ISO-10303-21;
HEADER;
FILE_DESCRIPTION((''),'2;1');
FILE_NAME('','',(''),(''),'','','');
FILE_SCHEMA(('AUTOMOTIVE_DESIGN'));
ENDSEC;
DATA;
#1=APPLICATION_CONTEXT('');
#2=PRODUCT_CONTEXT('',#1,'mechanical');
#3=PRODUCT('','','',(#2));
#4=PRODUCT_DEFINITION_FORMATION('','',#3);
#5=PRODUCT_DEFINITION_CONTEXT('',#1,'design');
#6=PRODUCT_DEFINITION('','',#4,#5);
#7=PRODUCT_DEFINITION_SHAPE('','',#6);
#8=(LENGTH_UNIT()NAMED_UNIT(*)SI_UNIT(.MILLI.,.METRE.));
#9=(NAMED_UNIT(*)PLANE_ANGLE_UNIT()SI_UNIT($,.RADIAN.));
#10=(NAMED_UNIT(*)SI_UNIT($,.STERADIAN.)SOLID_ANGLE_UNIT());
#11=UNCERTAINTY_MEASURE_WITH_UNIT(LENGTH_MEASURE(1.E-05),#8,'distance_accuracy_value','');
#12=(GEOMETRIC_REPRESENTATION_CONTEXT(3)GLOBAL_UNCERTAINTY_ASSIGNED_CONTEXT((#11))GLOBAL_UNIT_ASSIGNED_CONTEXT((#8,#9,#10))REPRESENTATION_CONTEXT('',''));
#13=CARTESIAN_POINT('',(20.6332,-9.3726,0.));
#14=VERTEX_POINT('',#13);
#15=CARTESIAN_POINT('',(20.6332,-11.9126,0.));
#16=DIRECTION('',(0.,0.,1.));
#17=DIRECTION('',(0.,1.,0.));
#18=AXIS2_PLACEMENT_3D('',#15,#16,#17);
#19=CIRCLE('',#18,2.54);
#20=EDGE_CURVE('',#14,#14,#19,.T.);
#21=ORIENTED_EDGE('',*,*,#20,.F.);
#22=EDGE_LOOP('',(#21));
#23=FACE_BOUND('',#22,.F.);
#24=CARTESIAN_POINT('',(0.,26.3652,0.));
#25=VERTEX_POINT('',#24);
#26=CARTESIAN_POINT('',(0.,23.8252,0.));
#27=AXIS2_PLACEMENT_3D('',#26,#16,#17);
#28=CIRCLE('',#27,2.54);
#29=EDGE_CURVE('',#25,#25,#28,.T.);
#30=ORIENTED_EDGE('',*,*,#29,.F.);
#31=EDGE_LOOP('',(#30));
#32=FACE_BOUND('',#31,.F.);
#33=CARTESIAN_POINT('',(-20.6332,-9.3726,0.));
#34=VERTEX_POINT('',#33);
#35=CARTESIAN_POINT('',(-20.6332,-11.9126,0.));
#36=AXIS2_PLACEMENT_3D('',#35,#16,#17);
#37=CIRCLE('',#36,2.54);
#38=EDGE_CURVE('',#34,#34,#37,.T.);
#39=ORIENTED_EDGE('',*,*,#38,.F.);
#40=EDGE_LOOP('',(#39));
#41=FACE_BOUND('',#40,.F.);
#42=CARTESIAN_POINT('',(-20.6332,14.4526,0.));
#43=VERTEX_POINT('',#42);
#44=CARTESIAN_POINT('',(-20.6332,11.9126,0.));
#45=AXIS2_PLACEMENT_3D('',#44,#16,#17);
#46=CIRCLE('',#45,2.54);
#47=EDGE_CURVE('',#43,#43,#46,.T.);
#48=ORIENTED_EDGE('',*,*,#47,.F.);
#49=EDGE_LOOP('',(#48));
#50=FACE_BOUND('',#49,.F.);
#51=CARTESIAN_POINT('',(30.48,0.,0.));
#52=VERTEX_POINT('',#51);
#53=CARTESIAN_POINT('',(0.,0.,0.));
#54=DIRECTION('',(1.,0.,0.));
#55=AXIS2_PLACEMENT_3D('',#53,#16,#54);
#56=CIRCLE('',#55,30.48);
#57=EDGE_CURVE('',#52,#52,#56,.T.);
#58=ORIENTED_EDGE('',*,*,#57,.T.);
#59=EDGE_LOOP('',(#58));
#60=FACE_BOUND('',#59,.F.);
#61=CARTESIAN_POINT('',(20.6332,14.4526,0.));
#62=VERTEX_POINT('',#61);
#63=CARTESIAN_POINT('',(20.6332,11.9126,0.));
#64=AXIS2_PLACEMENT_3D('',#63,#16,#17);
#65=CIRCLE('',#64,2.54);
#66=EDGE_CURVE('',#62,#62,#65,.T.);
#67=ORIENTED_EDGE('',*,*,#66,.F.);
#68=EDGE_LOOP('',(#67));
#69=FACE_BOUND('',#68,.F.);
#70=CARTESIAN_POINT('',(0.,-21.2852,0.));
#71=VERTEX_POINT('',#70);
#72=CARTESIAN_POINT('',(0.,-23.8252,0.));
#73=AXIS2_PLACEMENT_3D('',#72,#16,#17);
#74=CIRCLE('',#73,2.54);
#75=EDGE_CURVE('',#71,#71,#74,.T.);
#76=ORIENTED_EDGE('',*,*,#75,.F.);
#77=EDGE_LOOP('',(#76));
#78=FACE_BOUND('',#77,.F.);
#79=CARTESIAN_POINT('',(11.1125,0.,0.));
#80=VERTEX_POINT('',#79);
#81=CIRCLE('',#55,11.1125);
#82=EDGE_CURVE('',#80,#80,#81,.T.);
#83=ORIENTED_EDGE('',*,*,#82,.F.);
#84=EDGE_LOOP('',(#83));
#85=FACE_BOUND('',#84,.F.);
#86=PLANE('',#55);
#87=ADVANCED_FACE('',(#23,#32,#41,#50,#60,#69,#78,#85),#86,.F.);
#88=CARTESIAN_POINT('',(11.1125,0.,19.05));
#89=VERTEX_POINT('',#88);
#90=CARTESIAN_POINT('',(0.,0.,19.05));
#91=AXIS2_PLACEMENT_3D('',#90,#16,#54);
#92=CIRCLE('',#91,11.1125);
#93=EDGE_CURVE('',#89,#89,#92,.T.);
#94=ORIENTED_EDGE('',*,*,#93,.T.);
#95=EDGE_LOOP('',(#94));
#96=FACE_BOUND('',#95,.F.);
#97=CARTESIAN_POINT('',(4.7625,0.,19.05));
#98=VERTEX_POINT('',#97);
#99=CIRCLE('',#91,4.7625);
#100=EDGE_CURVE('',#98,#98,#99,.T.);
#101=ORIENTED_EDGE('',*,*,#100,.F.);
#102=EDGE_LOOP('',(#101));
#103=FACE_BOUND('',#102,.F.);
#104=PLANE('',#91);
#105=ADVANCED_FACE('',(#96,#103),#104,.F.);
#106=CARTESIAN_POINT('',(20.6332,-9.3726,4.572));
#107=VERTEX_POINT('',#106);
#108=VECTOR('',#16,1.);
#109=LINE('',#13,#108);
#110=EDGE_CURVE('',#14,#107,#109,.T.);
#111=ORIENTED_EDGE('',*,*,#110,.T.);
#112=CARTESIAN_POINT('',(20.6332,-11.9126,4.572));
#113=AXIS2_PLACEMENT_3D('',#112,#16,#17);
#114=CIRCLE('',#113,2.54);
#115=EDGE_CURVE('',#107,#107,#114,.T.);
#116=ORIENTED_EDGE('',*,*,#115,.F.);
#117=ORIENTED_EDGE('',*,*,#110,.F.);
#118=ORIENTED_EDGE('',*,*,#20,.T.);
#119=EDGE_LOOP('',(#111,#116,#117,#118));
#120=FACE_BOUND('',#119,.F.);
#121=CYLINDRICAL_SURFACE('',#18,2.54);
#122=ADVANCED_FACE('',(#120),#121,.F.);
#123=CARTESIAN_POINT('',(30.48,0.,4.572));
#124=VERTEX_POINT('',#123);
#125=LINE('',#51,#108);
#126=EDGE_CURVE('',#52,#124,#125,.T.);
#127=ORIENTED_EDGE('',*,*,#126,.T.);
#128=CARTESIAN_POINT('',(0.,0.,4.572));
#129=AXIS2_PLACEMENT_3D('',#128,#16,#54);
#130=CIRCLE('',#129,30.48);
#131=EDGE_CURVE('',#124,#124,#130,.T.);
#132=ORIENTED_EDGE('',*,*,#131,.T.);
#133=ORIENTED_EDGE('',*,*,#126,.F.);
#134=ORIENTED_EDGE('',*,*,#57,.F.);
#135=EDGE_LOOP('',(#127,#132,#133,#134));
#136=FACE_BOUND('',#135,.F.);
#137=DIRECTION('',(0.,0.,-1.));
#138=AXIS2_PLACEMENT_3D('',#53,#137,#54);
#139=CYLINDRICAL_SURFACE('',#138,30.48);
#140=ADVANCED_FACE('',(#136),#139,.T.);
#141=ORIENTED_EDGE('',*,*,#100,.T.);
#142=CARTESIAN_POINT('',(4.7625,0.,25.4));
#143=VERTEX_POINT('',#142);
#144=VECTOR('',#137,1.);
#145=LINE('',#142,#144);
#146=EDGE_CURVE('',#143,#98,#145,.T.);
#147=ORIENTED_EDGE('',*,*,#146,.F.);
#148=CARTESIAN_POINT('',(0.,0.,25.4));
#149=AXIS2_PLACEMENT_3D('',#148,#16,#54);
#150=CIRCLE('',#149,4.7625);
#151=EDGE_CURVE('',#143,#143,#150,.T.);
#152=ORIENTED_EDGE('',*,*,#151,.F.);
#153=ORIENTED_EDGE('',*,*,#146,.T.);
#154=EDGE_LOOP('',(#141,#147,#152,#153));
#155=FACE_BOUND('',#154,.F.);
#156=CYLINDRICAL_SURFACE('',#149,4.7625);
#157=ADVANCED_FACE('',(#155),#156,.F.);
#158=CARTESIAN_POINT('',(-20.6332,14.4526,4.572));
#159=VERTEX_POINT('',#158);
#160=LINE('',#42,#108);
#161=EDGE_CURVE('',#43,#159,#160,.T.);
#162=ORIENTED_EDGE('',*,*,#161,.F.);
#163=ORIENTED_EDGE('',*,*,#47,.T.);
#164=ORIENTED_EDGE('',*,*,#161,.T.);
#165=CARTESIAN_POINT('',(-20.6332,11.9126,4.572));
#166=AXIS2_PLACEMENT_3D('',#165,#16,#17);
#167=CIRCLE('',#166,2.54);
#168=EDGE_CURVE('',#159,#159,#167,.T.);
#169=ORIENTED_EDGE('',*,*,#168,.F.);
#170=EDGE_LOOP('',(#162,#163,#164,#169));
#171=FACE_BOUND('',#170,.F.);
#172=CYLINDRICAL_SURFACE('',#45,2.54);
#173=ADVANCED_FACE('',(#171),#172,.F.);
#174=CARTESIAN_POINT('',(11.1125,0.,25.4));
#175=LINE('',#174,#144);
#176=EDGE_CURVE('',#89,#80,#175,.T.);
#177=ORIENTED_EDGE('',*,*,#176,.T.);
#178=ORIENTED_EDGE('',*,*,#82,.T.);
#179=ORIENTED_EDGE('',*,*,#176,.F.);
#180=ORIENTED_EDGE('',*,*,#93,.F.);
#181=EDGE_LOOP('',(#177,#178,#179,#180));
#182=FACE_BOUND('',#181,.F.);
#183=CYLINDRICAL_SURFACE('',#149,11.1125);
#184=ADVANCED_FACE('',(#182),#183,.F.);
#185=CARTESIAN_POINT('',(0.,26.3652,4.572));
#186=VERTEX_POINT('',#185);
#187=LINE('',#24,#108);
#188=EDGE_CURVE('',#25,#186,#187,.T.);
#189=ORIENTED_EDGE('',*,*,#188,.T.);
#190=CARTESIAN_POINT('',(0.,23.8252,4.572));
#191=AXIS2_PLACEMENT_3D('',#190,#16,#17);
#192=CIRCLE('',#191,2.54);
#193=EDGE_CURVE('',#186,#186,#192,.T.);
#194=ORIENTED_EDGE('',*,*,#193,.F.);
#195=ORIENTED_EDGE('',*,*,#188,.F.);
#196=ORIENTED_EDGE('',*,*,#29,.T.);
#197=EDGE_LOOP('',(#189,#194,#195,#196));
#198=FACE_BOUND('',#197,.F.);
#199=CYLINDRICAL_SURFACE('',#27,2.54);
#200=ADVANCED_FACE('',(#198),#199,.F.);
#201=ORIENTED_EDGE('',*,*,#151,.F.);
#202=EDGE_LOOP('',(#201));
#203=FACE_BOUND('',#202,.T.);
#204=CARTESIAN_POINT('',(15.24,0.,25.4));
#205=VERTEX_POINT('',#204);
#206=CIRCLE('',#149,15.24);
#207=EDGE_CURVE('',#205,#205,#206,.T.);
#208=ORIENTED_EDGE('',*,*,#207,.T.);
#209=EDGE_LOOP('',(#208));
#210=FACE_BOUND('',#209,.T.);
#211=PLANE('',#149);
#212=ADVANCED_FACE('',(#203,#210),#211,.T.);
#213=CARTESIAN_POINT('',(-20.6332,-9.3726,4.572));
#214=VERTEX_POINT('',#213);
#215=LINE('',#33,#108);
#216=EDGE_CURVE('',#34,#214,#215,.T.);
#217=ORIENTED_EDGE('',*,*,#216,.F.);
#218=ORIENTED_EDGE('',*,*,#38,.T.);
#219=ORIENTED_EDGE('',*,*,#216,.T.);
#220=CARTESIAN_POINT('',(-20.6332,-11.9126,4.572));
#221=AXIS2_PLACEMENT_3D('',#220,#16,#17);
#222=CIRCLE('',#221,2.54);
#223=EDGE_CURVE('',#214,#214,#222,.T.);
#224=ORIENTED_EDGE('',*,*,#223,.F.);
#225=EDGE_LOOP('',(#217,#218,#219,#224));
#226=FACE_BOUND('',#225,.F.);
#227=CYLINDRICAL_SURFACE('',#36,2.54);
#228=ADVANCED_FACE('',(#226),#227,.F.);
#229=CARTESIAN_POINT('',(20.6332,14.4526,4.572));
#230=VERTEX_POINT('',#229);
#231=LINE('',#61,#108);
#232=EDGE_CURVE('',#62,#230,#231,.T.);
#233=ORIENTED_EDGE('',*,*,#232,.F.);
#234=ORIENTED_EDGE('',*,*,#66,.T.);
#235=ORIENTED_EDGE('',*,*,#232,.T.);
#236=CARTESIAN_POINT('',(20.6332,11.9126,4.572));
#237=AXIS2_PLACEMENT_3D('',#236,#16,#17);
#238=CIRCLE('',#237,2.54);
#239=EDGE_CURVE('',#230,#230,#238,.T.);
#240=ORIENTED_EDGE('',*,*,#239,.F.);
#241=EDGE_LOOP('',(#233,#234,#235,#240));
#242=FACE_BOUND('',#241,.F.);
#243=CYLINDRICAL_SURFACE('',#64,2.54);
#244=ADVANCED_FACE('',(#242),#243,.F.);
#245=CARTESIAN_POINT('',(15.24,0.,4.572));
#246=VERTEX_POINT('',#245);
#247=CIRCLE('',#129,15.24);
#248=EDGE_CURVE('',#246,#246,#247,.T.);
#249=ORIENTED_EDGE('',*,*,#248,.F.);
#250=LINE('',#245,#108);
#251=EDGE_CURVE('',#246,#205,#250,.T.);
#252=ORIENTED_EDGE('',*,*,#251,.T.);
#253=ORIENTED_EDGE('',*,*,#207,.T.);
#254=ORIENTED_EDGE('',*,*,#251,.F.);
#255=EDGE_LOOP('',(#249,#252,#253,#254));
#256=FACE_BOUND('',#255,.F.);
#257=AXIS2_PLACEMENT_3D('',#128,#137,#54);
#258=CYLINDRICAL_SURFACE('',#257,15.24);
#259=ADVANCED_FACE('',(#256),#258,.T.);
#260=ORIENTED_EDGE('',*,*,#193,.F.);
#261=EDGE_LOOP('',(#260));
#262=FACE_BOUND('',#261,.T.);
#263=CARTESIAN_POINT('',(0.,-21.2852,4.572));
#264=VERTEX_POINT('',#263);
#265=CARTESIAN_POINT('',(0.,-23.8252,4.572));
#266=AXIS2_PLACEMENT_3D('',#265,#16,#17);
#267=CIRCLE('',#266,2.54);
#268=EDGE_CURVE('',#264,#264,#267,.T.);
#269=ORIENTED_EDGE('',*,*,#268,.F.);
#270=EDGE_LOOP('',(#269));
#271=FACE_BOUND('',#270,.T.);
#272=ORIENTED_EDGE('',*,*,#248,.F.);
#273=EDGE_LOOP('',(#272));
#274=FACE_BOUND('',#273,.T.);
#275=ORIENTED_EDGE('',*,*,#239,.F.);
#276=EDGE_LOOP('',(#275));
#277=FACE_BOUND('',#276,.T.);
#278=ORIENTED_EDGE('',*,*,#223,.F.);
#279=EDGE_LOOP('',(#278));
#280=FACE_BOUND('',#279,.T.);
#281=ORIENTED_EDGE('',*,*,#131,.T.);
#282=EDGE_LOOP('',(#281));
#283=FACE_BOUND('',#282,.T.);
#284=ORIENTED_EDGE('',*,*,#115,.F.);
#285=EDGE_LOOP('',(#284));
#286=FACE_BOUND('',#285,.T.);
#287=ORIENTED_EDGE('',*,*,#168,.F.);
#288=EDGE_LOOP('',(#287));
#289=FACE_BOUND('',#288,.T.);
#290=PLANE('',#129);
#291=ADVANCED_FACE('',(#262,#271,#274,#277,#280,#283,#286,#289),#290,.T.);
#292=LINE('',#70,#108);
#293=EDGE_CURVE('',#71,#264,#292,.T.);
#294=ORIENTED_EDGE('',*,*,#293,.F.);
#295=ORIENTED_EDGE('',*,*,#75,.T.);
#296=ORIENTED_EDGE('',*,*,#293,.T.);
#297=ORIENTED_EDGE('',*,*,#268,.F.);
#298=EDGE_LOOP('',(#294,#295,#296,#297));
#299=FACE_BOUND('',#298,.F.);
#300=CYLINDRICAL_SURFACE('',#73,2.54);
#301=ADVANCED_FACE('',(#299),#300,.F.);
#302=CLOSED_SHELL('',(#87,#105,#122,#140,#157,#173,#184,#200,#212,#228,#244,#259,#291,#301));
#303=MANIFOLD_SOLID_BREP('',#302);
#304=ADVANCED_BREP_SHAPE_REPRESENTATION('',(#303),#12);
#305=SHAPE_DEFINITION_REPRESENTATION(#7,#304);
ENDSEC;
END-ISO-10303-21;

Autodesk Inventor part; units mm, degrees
ref_plane "YZ Plane" through (0, 0, 0) normal (1, 0, 0) x (0, 1, 0)
ref_plane "XZ Plane" through (0, 0, 0) normal (0, 1, 0) x (-1, 0, 0)
ref_plane "XY Plane" through (0, 0, 0) normal (0, 0, 1) x (1, 0, 0)
sketch "Sketch1" plane through (0, 0, 0) normal (0, 0, 1) x (1, 0, 0)
  circle A0 centre (0, 0) radius 30.48
  dimension "d0" = 60.96
extrude "Extrusion1" add sketch "Sketch1" along normal blind 4.572
sketch "Sketch2" plane through (0, 0, 4.572) normal (0, 0, 1) x (1, 0, 0)
  circle A0 centre (0, 0) radius 15.24
  dimension "d3" = 30.48
extrude "Extrusion2" add sketch "Sketch2" along normal blind 20.828
sketch "Sketch3" plane through (0, 0, 25.4) normal (0, 0, 1) x (1, 0, 0)
  circle A0 centre (0, 0) radius 11.1125
  dimension "d6" = 22.225
extrude "Extrusion3" cut sketch "Sketch3" against normal blind 25.4
sketch "Sketch4" plane through (0, 0, 0) normal (0, 0, -1) x (-1, 0, 0)
  circle A0 centre (0, 0) radius 23.8252
  point P0 (0, 23.8252)
  point P1 (-20.6332, 11.9126)
  point P2 (-20.6332, -11.9126)
  point P3 (0, -23.8252)
  point P4 (20.6332, -11.9126)
  point P5 (20.6332, 11.9126)
  dimension "d9" = 23.8252
  dimension "d12" = 360
hole "Hole1" at (0, 23.8252, 0) at (20.6332, 11.9126, 0) at (20.6332, -11.9126, 0) at (0, -23.8252, 0) at (-20.6332, -11.9126, 0) at (-20.6332, 11.9126, 0) direction (0, 0, 1) diameter 5.08 end through all
sketch "Sketch5" plane through (0, 0, 25.4) normal (0, 0, 1) x (1, 0, 0)
  circle A0 centre (0, 0) radius 11.1125 projected
  circle A1 centre (0, 0) radius 4.7625
  dimension "d21" = 9.525
extrude "Extrusion4" add sketch "Sketch5" against normal blind 6.35
properties part number "KHUB"
